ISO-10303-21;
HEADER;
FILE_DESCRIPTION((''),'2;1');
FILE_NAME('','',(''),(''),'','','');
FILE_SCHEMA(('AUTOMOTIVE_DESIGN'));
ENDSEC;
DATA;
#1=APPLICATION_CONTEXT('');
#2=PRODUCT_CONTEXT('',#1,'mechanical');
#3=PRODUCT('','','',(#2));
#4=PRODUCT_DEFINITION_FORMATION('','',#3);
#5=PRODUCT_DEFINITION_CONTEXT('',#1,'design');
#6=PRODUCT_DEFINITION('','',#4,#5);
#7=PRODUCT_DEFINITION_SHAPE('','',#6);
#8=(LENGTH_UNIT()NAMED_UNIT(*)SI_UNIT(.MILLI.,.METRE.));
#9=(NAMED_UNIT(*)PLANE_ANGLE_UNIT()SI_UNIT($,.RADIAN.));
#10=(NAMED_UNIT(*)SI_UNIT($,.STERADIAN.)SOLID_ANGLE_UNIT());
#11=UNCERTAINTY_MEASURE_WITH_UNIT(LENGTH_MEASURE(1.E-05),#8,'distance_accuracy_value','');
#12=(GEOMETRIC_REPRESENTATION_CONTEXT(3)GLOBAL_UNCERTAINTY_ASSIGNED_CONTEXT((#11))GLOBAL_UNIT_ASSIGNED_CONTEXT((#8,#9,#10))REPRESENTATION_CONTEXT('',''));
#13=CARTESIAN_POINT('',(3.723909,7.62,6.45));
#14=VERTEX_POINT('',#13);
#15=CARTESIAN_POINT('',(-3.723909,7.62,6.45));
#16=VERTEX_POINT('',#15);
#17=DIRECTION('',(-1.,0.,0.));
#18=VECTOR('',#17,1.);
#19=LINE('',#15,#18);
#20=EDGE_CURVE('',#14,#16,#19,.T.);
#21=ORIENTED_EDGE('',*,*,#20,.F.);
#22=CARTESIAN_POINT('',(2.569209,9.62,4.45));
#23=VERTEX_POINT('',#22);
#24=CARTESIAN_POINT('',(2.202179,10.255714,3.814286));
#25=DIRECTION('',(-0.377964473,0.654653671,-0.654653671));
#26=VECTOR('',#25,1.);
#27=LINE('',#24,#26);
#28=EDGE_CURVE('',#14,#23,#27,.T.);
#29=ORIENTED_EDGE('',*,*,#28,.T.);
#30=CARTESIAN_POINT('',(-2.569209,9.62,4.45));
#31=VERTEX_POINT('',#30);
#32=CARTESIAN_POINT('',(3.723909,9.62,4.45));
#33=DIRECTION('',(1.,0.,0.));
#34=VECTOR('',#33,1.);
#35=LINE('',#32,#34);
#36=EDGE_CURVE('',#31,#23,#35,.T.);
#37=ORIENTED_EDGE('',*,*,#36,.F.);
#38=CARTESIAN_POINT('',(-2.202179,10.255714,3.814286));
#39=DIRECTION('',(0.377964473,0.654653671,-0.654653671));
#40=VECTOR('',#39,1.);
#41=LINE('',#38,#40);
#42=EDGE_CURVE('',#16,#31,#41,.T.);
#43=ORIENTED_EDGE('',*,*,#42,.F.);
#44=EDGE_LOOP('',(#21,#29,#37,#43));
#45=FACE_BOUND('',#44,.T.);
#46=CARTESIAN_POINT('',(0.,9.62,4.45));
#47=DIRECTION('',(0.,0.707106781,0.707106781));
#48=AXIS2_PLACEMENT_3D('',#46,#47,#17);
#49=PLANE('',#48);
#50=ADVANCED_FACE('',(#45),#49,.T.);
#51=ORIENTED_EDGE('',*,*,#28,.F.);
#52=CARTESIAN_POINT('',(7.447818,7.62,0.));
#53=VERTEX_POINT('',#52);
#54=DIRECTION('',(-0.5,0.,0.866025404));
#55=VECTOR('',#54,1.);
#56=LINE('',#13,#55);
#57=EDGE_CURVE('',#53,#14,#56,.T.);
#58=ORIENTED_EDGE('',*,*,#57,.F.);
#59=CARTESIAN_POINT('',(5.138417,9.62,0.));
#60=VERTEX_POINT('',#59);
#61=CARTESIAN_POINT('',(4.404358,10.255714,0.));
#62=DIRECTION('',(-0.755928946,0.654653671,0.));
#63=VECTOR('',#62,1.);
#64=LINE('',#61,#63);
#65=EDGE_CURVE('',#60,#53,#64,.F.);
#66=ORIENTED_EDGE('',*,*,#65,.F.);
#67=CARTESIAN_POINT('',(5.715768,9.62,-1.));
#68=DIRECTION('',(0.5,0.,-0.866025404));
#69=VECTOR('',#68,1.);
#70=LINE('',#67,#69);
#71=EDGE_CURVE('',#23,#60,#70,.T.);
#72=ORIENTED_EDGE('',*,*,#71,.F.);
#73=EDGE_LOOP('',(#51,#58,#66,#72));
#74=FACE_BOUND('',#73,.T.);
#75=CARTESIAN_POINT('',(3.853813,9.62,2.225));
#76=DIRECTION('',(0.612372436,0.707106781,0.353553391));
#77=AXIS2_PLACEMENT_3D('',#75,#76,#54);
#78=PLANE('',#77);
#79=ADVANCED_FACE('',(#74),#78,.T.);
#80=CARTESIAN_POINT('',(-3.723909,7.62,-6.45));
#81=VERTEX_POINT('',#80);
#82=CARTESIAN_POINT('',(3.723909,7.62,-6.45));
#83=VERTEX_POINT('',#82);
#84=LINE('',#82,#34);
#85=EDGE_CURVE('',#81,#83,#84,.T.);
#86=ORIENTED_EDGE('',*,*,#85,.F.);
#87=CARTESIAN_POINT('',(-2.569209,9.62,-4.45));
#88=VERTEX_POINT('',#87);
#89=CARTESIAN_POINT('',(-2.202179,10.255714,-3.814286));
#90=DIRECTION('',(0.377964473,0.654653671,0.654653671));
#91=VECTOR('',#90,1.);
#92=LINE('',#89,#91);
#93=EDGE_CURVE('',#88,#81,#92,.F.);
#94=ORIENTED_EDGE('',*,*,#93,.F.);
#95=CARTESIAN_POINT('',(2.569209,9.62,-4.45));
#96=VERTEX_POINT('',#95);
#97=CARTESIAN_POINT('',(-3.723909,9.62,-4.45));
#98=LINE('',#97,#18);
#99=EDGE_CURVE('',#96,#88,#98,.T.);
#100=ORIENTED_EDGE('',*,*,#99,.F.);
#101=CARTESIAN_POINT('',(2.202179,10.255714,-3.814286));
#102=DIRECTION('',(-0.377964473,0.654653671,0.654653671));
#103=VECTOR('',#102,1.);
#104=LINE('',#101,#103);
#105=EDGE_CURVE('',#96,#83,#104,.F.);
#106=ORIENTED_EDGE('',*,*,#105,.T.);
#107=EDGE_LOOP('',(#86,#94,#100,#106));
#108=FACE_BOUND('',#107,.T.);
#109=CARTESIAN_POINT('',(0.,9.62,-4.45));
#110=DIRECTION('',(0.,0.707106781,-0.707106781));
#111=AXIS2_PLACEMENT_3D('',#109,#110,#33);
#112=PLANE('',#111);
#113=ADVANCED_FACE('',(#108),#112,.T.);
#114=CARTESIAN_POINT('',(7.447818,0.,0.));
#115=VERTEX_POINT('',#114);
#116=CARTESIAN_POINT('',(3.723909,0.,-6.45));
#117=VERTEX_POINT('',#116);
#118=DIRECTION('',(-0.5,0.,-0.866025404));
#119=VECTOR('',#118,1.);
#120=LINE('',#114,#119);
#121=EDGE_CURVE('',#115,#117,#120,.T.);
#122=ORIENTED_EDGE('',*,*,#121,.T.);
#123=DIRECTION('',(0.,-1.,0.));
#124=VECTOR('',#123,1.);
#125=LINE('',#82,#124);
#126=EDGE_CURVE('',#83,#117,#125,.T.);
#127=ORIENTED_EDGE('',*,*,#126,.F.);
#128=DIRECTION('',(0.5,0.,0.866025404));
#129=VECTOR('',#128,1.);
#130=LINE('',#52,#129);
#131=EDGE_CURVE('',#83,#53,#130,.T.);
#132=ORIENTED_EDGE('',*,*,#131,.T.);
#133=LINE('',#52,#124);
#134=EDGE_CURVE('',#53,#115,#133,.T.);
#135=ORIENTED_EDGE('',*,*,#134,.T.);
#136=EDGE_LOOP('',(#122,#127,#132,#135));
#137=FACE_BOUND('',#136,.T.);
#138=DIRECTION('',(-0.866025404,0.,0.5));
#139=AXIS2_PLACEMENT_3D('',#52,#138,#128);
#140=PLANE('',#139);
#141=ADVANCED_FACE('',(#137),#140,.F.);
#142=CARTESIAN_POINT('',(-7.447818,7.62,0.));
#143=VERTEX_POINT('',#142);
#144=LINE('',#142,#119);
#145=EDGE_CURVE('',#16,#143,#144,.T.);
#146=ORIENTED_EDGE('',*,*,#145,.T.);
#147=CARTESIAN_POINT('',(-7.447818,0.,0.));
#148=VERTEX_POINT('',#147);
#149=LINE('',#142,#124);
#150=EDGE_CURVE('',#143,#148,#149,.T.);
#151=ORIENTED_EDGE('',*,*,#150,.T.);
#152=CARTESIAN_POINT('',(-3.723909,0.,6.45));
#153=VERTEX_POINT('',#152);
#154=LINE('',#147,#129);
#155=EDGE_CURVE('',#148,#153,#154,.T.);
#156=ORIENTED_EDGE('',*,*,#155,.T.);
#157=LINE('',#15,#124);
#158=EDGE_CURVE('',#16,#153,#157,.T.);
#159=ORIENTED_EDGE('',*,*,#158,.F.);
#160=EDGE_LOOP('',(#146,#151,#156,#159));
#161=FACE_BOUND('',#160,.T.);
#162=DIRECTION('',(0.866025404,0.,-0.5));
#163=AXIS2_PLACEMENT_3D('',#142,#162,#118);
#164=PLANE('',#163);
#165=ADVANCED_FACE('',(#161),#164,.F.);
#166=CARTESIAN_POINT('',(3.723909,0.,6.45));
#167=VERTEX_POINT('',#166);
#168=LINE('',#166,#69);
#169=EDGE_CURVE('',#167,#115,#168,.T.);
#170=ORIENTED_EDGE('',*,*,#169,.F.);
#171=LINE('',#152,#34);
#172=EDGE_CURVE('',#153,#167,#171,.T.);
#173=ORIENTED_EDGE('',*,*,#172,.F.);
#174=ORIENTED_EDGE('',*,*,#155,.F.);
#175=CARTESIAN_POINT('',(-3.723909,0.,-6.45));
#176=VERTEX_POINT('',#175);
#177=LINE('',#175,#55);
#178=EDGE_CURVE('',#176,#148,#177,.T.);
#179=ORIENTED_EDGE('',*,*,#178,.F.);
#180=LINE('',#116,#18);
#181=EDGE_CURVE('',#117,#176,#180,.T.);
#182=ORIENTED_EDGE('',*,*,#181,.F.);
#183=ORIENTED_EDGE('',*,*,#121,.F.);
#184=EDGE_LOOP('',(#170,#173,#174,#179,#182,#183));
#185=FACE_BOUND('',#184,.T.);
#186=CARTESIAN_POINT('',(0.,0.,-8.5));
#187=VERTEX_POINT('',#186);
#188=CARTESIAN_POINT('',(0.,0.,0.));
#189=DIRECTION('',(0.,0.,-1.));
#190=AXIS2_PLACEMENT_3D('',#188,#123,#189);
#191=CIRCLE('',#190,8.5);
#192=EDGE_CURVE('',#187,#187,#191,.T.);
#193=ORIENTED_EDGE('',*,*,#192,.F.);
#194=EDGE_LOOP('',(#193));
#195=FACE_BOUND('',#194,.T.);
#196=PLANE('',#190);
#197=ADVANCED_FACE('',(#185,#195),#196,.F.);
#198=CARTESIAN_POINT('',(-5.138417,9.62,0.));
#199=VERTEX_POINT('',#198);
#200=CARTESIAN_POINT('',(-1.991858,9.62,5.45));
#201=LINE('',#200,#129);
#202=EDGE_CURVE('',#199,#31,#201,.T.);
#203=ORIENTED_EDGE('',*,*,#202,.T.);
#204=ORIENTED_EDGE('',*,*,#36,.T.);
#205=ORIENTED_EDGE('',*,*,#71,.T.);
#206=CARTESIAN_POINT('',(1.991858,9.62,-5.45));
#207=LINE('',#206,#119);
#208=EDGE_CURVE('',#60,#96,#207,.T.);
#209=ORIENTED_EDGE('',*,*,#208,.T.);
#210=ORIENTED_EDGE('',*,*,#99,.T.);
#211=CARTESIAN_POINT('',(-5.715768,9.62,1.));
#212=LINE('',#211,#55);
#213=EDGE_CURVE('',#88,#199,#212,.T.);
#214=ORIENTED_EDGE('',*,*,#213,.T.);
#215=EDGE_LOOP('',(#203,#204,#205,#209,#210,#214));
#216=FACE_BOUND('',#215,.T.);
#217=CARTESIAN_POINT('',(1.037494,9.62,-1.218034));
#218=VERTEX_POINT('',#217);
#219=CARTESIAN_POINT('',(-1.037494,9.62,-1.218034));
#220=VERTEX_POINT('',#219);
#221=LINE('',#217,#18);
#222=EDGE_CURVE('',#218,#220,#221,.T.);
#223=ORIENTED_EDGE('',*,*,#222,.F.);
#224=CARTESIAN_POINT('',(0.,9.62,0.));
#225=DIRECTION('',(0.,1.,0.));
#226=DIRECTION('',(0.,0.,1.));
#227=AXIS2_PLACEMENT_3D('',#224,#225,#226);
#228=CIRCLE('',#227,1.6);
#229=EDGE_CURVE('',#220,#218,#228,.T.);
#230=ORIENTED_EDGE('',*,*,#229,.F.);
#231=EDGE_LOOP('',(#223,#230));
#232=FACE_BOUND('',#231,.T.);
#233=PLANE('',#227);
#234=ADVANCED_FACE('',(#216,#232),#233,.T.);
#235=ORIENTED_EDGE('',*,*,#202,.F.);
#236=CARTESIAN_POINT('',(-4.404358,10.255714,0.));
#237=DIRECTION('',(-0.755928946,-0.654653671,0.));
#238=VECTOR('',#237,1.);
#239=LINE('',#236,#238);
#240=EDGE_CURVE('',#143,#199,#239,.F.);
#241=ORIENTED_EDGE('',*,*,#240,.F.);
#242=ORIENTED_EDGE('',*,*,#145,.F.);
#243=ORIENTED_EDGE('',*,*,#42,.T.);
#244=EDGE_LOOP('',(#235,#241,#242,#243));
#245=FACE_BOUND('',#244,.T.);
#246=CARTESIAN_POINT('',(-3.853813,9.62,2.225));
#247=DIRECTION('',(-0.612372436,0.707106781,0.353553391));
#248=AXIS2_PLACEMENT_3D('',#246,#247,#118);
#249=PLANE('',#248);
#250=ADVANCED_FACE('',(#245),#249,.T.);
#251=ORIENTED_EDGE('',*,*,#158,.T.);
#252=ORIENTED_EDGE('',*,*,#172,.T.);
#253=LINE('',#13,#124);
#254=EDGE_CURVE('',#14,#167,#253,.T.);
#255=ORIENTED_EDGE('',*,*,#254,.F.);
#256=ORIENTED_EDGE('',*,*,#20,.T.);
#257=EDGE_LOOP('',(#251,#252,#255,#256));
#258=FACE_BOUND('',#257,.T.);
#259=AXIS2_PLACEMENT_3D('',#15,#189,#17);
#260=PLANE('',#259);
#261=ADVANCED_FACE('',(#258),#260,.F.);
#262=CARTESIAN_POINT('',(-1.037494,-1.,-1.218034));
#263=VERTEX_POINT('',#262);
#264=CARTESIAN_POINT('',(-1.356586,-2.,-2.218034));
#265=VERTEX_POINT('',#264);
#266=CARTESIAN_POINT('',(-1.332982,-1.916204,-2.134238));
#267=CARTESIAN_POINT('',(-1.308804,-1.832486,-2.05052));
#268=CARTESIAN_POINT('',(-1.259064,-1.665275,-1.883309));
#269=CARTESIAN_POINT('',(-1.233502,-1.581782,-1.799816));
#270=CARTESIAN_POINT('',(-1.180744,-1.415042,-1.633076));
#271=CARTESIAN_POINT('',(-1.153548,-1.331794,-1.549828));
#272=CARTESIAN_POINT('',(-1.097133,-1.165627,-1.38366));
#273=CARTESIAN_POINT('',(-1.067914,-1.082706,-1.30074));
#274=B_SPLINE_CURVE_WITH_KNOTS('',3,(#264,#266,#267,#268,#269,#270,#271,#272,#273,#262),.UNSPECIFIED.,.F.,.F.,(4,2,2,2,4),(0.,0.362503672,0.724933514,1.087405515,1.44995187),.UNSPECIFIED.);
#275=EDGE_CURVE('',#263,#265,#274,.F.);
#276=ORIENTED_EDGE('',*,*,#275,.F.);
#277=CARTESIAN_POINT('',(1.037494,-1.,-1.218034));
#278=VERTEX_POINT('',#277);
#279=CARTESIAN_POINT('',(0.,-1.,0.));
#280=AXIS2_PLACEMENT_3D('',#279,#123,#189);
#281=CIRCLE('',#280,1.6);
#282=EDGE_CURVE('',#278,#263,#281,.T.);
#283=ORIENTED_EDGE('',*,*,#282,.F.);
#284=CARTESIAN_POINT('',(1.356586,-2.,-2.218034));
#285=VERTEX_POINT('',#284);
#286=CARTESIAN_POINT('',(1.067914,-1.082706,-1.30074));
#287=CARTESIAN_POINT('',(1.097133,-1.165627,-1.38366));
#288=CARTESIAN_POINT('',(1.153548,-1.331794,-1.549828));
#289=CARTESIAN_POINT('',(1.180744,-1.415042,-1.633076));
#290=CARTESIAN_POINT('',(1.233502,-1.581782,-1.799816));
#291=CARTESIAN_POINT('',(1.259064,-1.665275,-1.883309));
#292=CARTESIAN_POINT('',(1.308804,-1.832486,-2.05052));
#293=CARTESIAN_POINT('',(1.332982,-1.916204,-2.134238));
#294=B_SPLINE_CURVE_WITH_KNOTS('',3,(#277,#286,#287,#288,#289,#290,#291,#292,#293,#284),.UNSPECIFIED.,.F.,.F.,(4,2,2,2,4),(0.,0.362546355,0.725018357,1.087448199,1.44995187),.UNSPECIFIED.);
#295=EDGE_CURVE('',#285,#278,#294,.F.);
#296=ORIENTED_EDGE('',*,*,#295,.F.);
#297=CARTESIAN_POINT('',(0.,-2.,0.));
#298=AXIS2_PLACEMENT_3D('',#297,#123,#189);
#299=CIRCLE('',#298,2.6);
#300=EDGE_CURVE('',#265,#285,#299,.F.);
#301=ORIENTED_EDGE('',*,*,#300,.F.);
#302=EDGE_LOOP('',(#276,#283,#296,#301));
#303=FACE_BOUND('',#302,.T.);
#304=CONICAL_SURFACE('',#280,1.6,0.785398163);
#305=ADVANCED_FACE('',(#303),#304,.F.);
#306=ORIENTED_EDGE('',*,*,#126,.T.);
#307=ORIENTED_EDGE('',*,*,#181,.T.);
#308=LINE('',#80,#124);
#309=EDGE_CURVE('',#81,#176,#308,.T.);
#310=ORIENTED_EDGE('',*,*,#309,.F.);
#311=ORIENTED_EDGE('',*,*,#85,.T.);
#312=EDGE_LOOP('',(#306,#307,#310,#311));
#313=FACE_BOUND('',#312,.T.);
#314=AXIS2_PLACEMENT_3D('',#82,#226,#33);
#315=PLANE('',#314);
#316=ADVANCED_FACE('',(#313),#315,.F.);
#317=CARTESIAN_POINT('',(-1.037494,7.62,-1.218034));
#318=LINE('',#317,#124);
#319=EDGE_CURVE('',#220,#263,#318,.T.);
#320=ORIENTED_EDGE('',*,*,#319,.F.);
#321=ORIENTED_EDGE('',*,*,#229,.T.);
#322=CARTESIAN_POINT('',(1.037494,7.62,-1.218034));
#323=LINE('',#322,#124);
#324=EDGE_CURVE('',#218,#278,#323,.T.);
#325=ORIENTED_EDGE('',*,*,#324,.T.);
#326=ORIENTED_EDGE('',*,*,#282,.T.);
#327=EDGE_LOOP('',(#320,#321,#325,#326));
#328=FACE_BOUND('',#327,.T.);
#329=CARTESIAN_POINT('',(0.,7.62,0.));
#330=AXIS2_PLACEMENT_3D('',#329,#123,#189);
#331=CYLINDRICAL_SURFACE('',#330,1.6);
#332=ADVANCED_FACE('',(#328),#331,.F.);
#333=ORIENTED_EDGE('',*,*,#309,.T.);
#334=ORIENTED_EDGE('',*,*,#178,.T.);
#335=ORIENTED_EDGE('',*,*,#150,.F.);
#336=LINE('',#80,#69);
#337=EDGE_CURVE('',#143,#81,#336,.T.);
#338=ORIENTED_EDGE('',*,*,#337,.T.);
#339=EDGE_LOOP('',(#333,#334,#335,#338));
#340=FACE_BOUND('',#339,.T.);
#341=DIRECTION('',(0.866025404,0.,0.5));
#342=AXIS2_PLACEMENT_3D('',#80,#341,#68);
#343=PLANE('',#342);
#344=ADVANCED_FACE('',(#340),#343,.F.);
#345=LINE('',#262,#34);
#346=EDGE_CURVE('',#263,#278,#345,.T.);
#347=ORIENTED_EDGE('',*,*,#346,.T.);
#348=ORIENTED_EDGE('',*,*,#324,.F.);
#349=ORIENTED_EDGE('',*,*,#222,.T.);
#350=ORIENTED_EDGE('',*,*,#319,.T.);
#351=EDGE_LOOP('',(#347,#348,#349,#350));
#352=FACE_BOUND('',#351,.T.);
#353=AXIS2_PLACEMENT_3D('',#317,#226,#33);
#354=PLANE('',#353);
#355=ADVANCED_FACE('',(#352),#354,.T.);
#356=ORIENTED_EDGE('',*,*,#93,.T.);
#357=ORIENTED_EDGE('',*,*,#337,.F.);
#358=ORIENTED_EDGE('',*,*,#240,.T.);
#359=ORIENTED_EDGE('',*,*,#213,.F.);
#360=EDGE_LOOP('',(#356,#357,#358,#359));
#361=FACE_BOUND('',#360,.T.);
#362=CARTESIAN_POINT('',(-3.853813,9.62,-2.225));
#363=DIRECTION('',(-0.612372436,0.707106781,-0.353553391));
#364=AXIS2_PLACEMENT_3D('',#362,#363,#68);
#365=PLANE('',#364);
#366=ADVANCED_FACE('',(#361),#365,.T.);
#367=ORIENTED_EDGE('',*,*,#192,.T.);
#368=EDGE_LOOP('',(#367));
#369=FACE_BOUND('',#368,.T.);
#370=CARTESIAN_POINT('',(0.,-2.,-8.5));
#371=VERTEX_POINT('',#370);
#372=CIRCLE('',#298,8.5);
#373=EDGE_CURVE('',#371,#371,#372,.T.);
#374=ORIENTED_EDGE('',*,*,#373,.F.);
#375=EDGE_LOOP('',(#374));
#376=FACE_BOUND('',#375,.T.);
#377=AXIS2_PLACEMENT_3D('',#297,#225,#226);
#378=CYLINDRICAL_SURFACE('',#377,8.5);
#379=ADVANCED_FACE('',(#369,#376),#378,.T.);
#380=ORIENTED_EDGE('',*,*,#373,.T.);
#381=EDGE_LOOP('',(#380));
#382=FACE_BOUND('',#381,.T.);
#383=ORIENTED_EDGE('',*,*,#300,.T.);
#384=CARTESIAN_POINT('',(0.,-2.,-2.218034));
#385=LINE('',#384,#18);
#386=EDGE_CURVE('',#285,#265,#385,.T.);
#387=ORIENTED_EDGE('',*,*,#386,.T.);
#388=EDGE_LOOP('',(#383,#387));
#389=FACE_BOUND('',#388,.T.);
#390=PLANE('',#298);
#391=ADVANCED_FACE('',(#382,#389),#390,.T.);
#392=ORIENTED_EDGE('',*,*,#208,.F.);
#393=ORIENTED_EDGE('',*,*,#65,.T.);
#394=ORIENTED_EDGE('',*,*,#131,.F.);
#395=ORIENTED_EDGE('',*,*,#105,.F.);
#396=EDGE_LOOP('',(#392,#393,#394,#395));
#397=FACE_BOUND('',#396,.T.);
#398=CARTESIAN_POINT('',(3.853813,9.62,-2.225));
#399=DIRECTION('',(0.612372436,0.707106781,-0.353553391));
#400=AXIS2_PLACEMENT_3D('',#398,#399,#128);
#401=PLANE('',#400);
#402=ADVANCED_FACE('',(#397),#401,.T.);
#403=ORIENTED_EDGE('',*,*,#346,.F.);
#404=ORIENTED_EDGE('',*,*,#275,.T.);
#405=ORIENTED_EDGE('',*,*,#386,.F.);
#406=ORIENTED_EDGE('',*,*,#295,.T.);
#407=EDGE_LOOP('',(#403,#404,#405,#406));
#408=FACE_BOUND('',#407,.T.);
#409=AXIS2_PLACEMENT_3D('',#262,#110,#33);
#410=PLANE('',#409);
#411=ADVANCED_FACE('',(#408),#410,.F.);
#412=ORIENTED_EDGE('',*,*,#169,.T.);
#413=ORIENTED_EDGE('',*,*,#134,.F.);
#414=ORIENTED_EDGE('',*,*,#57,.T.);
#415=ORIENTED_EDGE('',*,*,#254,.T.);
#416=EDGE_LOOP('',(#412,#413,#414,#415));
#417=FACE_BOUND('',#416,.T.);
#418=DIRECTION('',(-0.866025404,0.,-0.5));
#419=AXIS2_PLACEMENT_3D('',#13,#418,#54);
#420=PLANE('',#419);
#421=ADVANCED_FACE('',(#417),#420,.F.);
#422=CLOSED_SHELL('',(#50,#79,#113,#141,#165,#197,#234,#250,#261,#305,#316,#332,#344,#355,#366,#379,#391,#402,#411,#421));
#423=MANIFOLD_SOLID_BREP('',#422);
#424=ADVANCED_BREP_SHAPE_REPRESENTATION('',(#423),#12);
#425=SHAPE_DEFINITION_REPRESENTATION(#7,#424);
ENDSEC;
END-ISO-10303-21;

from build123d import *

# Parameters (mm, degrees)
BOSS_EXTRUDE1_DEPTH = 7.62
SKETCH2_R           = 8.5
BOSS_EXTRUDE2_DEPTH = 2
BOSS_EXTRUDE3_DEPTH = 2
CHAMFER1_SIZE       = 2
CHAMFER2_SIZE       = 1


with BuildPart() as part:
    # Sketch1 → Boss-Extrude1 (new body)
    with BuildSketch(Plane(origin=(0, 0, 0), x_dir=(1, 0, 0), z_dir=(0, 1, 0))):
        Polygon((3.723909236, 6.45), (-3.723909236, 6.45), (-7.447818473, 0), (-3.723909236, -6.45), (3.723909236, -6.45), (7.447818473, 0), align=None)
        with BuildLine():
            Line((-1.037493712, 1.218033989), (1.037493712, 1.218033989))
            ThreePointArc((1.037493712, 1.218033989), (0, -1.6), (-1.037493712, 1.218033989))
        make_face(mode=Mode.SUBTRACT)
    extrude(amount=BOSS_EXTRUDE1_DEPTH)

    # Sketch2 → Boss-Extrude2 (add)
    with BuildSketch(Plane.XZ):
        Circle(SKETCH2_R)
        with BuildLine():
            Line((1.037493712, -1.218033989), (-1.037493712, -1.218033989))
            ThreePointArc((-1.037493712, -1.218033989), (0, 1.6), (1.037493712, -1.218033989))
        make_face(mode=Mode.SUBTRACT)
    extrude(amount=BOSS_EXTRUDE2_DEPTH)

    # Sketch3 → Boss-Extrude3 (add)
    with BuildSketch(Plane(origin=(0, 7.62, 0), x_dir=(1, 0, 0), z_dir=(0, 1, 0))):
        Polygon((7.447818473, 0), (3.723909236, 6.45), (-3.723909236, 6.45), (-7.447818473, 0), (-3.723909236, -6.45), (3.723909236, -6.45), align=None)
        with BuildLine():
            Line((1.037493712, 1.218033989), (-1.037493712, 1.218033989))
            ThreePointArc((-1.037493712, 1.218033989), (0, -1.6), (1.037493712, 1.218033989))
        make_face(mode=Mode.SUBTRACT)
    extrude(amount=BOSS_EXTRUDE3_DEPTH)

    # Chamfer1
    chamfer1_edges = [part.edges().sort_by_distance(p)[0] for p in [
        (5.585863854, 9.62, 3.225),
        (5.585863854, 9.62, -3.225),
        (0, 9.62, -6.45),
        (-5.585863854, 9.62, -3.225),
        (-5.585863854, 9.62, 3.225),
        (0, 9.62, 6.45),
    ]]
    chamfer(chamfer1_edges, length=CHAMFER1_SIZE)

    # Chamfer2
    chamfer2_edges = [part.edges().sort_by_distance(p)[0] for p in [
        (0, -2, 1.6),
        (0, -2, -1.218033989),
    ]]
    chamfer(chamfer2_edges, length=CHAMFER2_SIZE)


solid = part.part
